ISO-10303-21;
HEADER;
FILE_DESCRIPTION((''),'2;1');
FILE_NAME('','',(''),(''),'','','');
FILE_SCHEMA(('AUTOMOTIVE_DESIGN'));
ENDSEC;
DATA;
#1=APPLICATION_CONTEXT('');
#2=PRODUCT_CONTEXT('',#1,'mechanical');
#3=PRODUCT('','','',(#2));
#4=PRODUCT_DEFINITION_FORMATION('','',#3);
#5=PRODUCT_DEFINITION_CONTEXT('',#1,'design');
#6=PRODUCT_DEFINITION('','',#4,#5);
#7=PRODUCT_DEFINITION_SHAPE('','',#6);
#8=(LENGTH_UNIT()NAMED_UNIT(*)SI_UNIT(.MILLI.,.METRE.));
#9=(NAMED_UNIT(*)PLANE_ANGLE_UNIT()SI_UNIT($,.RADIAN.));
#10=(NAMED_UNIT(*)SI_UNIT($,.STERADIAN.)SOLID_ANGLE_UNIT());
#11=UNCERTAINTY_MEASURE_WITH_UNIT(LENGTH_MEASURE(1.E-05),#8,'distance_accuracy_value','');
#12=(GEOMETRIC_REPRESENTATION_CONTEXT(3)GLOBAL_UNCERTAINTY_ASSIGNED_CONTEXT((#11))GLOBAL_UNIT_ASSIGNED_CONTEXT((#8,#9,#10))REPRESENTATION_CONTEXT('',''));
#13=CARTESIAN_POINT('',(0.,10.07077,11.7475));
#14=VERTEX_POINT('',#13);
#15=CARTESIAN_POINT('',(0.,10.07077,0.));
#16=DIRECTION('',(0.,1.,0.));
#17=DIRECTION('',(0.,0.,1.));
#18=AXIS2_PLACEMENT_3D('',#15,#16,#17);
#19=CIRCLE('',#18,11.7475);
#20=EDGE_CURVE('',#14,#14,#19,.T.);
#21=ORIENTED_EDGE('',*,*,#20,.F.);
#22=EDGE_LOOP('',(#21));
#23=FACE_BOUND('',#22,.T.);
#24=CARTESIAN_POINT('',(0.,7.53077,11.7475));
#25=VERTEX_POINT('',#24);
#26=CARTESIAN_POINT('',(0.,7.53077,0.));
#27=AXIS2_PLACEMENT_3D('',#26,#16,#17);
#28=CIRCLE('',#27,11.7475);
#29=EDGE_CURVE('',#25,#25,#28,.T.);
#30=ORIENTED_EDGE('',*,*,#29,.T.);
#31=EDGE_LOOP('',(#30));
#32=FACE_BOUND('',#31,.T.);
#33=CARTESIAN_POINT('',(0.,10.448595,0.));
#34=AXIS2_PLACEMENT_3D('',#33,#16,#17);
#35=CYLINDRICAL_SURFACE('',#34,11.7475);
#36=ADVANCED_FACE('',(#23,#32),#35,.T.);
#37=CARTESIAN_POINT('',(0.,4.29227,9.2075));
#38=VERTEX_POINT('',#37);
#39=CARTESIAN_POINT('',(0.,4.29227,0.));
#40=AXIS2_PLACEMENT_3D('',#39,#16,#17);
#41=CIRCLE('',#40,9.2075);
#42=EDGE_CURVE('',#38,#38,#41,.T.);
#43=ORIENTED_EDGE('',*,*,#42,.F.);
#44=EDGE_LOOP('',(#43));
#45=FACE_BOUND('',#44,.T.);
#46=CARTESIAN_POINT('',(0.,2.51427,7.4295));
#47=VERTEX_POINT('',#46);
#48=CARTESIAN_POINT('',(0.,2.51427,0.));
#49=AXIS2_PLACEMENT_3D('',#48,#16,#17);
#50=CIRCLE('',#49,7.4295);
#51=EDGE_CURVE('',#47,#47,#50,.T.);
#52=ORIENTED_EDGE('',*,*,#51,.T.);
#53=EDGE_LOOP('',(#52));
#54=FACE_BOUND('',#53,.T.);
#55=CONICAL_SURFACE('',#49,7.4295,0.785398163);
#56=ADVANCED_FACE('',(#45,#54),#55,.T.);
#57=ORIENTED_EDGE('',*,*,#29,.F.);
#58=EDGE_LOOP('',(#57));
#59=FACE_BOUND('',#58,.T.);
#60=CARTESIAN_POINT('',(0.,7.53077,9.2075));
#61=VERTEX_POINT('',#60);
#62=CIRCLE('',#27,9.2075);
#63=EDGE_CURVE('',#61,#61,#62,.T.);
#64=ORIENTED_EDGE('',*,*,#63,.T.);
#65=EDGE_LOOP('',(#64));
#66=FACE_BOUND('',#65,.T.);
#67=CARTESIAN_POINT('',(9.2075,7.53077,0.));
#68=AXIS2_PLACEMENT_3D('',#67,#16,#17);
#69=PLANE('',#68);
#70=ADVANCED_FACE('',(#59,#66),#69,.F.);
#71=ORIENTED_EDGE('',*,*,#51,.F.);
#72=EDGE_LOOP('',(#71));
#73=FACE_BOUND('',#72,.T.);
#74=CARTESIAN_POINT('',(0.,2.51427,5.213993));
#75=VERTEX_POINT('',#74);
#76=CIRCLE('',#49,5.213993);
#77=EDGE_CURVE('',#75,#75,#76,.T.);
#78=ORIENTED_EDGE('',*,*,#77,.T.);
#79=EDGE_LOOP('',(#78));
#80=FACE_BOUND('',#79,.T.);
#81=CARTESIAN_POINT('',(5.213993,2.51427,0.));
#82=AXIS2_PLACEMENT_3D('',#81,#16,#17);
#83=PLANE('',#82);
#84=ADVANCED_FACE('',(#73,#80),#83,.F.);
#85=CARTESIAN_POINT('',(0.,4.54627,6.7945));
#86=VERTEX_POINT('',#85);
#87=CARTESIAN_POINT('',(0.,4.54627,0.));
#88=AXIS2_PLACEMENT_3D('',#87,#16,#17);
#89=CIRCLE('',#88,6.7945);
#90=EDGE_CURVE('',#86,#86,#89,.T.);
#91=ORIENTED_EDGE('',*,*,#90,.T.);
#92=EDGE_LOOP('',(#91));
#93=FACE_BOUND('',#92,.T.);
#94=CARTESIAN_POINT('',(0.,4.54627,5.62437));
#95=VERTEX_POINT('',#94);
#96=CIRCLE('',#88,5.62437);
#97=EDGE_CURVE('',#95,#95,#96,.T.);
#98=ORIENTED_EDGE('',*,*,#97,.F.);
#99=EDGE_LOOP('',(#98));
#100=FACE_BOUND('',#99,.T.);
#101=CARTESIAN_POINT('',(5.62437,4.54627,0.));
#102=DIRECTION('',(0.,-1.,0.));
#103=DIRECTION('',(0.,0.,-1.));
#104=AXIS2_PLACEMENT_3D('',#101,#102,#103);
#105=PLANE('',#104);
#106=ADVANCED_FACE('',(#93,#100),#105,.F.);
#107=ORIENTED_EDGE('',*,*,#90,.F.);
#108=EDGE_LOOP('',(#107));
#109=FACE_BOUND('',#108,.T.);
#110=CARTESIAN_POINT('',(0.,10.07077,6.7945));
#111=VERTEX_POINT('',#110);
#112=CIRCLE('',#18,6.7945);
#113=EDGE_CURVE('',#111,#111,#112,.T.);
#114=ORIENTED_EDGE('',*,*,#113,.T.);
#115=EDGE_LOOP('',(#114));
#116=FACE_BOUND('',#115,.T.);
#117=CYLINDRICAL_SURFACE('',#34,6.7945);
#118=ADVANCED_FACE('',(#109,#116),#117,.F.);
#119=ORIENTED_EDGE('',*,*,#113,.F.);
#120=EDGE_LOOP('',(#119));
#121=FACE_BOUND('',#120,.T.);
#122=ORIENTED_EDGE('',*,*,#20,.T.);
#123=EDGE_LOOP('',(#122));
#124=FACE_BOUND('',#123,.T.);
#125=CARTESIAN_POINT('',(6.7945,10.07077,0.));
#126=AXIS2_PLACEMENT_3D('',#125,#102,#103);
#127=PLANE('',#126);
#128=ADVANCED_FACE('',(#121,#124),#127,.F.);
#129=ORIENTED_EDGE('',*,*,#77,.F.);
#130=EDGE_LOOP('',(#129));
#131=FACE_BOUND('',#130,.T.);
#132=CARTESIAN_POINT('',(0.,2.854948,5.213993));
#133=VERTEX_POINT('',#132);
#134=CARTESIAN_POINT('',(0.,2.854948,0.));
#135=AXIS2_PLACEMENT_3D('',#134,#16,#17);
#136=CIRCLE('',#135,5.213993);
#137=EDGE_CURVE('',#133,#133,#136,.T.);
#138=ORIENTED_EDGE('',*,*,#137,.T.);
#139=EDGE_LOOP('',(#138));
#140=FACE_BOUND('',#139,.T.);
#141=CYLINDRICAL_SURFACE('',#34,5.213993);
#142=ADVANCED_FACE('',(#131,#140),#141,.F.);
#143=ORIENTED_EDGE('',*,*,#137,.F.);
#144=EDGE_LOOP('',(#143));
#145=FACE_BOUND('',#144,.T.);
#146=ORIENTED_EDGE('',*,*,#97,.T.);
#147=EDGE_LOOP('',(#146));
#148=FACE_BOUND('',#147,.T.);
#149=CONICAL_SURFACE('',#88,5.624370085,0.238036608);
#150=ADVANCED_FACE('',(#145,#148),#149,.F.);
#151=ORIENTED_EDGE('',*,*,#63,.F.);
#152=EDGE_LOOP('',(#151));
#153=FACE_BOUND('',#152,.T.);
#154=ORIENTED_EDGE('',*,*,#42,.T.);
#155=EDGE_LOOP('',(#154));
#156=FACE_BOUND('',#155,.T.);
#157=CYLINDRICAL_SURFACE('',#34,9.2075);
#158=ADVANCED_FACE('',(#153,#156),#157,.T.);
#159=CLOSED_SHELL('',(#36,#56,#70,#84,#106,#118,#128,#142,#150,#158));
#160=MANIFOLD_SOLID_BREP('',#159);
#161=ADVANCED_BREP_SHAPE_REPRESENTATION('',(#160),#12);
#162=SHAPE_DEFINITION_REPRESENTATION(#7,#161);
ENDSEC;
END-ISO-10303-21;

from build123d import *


with BuildPart() as part:
    # Sketch1 → Revolve1 (revolve)
    with BuildSketch(Plane.XY):
        Polygon((9.2075, 4.292270422), (9.2075, 7.530770422), (11.7475, 7.530770422), (11.7475, 10.070770422), (8.89, 10.070770422), (6.7945, 10.070770422), (6.7945, 5.308270422), (6.7945, 4.546270422), (5.624370085, 4.546270422), (5.213993169, 2.85494809), (5.213993169, 2.514270422), (7.4295, 2.514270422), align=None)
    revolve(axis=Axis((0, 10.448595422, 0), (0, -1, 0)))


solid = part.part
